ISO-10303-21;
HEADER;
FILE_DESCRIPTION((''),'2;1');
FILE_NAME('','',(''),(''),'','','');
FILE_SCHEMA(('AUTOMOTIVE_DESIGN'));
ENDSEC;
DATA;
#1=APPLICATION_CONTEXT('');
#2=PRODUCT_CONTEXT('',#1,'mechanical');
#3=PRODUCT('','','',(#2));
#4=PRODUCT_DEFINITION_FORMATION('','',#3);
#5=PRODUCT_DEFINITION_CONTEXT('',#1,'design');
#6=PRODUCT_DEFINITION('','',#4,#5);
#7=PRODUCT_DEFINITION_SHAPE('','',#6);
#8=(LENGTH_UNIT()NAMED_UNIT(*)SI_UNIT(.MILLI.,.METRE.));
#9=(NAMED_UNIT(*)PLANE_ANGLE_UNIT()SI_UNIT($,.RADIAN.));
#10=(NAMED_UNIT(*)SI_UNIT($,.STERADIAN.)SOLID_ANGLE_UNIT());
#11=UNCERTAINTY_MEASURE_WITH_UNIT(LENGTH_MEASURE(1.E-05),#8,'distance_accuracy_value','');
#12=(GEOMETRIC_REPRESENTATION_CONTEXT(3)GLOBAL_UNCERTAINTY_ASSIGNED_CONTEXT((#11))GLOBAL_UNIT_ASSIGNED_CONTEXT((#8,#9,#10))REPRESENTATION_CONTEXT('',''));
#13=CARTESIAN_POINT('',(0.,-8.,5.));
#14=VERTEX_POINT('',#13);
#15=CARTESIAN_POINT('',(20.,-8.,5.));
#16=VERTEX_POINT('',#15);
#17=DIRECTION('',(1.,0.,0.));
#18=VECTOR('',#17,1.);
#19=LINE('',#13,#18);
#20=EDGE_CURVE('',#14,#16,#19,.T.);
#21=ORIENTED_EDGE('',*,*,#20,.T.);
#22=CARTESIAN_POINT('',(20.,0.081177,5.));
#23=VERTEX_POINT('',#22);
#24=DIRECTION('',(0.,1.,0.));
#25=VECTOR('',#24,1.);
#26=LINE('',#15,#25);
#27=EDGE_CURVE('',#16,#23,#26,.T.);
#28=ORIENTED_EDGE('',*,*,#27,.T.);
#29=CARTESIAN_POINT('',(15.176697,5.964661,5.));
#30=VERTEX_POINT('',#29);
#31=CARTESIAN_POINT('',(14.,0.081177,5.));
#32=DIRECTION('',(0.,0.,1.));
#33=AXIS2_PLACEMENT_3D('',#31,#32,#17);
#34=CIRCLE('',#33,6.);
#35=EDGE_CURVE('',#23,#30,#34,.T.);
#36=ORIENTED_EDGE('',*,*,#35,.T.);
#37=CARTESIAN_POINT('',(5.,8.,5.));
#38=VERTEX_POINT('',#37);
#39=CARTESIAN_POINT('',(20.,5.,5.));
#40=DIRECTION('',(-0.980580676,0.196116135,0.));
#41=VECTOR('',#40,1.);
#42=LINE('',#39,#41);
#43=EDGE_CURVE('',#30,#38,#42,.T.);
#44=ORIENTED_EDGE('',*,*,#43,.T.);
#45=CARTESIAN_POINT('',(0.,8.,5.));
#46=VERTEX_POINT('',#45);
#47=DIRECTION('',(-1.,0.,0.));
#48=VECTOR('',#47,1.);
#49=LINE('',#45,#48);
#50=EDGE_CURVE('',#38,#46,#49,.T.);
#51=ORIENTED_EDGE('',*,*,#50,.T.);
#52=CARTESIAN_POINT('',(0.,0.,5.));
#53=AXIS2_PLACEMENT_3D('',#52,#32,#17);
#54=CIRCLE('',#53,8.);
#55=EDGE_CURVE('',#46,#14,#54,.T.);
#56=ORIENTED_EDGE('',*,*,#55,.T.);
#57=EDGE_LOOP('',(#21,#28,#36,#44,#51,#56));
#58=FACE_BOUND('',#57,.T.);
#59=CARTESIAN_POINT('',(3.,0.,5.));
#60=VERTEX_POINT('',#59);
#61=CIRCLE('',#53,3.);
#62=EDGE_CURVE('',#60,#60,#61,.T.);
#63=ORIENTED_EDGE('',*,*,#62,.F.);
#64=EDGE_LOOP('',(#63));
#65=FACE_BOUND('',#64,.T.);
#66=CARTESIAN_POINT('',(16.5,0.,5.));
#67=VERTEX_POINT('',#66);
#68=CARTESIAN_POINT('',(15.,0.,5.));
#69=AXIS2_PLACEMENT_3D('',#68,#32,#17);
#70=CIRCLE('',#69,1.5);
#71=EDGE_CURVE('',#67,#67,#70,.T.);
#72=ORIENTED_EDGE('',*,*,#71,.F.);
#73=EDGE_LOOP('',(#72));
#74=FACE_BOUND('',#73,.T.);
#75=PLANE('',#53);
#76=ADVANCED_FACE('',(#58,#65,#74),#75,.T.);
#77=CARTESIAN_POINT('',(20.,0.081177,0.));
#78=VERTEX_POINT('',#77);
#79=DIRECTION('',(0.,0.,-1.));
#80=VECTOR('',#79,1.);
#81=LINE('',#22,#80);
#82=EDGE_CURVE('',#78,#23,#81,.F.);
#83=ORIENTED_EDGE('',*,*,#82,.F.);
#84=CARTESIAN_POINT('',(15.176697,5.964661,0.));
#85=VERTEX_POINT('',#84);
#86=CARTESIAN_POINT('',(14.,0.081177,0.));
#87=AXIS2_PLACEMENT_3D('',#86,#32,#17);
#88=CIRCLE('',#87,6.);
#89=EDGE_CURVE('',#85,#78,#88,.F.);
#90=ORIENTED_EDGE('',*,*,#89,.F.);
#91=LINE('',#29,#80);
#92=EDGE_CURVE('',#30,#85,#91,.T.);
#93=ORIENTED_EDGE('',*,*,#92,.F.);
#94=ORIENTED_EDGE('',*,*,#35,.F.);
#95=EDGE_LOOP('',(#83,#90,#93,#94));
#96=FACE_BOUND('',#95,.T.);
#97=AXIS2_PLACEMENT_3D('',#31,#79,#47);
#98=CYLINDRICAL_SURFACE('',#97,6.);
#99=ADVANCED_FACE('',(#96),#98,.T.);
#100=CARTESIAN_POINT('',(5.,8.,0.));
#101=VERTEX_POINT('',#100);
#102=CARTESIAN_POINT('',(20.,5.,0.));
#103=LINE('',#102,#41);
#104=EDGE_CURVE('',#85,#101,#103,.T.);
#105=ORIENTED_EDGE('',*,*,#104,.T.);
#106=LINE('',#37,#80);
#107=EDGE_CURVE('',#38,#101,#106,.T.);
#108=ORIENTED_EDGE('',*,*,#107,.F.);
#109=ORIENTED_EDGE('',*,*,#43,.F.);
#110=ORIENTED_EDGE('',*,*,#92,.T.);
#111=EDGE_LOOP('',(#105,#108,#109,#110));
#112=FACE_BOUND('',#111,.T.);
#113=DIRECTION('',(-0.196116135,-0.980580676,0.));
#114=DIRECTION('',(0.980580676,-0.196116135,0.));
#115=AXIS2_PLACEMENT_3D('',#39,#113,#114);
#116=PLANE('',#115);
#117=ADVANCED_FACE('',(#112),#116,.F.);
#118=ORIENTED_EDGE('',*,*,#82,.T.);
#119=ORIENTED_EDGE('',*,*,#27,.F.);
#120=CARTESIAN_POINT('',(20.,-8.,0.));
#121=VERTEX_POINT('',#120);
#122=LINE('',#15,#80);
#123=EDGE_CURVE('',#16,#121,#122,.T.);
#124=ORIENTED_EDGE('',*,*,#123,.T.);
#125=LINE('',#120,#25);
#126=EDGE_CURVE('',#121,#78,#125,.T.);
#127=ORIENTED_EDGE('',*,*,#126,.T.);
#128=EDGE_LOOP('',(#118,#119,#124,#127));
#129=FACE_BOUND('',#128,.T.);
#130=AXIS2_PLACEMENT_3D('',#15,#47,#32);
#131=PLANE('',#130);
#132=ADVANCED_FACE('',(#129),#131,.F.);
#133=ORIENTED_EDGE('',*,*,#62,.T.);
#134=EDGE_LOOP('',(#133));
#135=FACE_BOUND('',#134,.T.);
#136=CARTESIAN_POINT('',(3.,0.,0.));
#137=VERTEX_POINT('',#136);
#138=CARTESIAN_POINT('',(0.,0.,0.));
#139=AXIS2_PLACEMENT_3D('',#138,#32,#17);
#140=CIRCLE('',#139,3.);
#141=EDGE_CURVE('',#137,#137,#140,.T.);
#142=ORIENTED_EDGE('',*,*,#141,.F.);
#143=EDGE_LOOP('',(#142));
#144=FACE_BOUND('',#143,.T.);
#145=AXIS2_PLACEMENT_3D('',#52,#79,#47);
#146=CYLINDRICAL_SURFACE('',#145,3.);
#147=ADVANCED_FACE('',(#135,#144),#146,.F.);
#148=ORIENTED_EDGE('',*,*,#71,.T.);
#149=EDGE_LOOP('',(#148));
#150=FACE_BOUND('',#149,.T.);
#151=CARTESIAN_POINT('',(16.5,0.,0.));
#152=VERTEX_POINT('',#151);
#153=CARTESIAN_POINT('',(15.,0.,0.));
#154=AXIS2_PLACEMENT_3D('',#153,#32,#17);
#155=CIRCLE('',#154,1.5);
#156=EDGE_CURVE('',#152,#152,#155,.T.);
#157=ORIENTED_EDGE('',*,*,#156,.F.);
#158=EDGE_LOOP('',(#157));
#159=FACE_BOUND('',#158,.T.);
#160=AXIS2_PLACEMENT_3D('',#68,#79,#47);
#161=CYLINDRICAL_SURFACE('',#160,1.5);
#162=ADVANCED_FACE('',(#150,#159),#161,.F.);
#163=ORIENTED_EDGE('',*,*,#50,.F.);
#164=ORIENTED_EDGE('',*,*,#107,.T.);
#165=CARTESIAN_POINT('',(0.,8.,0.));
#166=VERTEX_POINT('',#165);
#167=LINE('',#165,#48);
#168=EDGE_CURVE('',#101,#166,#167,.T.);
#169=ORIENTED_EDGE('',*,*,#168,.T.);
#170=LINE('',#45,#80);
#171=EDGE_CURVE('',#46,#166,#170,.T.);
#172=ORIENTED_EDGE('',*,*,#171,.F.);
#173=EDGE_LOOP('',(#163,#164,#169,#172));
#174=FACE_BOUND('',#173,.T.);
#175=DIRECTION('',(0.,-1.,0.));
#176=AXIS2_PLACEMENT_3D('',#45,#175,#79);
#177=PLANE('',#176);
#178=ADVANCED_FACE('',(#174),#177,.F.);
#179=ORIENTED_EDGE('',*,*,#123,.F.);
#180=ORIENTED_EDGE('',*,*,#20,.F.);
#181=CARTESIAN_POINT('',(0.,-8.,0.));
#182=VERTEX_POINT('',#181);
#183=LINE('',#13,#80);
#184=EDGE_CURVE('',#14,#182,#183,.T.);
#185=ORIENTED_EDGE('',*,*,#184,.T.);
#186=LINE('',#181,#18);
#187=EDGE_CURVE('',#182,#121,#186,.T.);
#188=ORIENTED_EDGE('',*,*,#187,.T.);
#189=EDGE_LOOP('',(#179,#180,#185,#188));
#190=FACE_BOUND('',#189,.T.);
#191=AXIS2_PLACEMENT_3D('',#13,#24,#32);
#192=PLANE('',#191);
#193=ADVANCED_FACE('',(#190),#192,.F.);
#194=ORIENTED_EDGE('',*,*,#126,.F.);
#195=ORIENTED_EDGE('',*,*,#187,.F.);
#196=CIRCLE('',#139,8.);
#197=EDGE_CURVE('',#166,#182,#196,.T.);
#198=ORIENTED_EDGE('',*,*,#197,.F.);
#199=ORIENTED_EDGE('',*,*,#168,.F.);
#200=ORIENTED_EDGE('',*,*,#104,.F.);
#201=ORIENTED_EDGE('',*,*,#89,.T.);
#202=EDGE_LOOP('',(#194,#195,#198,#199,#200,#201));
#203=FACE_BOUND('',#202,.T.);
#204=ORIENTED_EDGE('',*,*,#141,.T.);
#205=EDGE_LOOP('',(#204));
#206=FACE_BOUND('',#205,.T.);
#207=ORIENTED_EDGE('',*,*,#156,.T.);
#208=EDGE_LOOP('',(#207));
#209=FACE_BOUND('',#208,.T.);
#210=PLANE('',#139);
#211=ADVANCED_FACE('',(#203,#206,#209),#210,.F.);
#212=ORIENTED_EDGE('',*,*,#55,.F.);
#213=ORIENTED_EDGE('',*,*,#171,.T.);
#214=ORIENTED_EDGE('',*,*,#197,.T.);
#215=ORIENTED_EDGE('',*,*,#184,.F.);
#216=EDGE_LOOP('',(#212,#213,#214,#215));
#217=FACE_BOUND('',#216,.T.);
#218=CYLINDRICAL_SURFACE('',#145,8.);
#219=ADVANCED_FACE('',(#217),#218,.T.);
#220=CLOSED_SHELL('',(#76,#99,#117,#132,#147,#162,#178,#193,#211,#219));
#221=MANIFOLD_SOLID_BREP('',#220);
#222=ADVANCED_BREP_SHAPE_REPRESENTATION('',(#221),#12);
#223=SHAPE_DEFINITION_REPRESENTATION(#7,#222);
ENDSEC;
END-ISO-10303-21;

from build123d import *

# Parameters (mm, degrees)
ESQUISSE1_R        = 3
ESQUISSE1_R_2      = 1.5
BOSS_EXTRU_1_DEPTH = 5
CONG_1_R           = 6


with BuildPart() as part:
    # Esquisse1 → Boss.-Extru.1 (new body)
    with BuildSketch(Plane.XY):
        with BuildLine():
            Line((0, 8), (5, 8))
            Line((5, 8), (20, 5))
            Line((20, 5), (20, -8))
            Line((20, -8), (0, -8))
            ThreePointArc((0, -8), (-8, 0), (0, 8))
        make_face()
        Circle(ESQUISSE1_R, mode=Mode.SUBTRACT)
        with Locations((15, 0)):
            Circle(ESQUISSE1_R_2, mode=Mode.SUBTRACT)
    extrude(amount=BOSS_EXTRU_1_DEPTH)

    # Congé1
    cong_1_edges = [part.edges().sort_by_distance(p)[0] for p in [
        (20, 5, 2.5),
    ]]
    fillet(cong_1_edges, radius=CONG_1_R)


solid = part.part
